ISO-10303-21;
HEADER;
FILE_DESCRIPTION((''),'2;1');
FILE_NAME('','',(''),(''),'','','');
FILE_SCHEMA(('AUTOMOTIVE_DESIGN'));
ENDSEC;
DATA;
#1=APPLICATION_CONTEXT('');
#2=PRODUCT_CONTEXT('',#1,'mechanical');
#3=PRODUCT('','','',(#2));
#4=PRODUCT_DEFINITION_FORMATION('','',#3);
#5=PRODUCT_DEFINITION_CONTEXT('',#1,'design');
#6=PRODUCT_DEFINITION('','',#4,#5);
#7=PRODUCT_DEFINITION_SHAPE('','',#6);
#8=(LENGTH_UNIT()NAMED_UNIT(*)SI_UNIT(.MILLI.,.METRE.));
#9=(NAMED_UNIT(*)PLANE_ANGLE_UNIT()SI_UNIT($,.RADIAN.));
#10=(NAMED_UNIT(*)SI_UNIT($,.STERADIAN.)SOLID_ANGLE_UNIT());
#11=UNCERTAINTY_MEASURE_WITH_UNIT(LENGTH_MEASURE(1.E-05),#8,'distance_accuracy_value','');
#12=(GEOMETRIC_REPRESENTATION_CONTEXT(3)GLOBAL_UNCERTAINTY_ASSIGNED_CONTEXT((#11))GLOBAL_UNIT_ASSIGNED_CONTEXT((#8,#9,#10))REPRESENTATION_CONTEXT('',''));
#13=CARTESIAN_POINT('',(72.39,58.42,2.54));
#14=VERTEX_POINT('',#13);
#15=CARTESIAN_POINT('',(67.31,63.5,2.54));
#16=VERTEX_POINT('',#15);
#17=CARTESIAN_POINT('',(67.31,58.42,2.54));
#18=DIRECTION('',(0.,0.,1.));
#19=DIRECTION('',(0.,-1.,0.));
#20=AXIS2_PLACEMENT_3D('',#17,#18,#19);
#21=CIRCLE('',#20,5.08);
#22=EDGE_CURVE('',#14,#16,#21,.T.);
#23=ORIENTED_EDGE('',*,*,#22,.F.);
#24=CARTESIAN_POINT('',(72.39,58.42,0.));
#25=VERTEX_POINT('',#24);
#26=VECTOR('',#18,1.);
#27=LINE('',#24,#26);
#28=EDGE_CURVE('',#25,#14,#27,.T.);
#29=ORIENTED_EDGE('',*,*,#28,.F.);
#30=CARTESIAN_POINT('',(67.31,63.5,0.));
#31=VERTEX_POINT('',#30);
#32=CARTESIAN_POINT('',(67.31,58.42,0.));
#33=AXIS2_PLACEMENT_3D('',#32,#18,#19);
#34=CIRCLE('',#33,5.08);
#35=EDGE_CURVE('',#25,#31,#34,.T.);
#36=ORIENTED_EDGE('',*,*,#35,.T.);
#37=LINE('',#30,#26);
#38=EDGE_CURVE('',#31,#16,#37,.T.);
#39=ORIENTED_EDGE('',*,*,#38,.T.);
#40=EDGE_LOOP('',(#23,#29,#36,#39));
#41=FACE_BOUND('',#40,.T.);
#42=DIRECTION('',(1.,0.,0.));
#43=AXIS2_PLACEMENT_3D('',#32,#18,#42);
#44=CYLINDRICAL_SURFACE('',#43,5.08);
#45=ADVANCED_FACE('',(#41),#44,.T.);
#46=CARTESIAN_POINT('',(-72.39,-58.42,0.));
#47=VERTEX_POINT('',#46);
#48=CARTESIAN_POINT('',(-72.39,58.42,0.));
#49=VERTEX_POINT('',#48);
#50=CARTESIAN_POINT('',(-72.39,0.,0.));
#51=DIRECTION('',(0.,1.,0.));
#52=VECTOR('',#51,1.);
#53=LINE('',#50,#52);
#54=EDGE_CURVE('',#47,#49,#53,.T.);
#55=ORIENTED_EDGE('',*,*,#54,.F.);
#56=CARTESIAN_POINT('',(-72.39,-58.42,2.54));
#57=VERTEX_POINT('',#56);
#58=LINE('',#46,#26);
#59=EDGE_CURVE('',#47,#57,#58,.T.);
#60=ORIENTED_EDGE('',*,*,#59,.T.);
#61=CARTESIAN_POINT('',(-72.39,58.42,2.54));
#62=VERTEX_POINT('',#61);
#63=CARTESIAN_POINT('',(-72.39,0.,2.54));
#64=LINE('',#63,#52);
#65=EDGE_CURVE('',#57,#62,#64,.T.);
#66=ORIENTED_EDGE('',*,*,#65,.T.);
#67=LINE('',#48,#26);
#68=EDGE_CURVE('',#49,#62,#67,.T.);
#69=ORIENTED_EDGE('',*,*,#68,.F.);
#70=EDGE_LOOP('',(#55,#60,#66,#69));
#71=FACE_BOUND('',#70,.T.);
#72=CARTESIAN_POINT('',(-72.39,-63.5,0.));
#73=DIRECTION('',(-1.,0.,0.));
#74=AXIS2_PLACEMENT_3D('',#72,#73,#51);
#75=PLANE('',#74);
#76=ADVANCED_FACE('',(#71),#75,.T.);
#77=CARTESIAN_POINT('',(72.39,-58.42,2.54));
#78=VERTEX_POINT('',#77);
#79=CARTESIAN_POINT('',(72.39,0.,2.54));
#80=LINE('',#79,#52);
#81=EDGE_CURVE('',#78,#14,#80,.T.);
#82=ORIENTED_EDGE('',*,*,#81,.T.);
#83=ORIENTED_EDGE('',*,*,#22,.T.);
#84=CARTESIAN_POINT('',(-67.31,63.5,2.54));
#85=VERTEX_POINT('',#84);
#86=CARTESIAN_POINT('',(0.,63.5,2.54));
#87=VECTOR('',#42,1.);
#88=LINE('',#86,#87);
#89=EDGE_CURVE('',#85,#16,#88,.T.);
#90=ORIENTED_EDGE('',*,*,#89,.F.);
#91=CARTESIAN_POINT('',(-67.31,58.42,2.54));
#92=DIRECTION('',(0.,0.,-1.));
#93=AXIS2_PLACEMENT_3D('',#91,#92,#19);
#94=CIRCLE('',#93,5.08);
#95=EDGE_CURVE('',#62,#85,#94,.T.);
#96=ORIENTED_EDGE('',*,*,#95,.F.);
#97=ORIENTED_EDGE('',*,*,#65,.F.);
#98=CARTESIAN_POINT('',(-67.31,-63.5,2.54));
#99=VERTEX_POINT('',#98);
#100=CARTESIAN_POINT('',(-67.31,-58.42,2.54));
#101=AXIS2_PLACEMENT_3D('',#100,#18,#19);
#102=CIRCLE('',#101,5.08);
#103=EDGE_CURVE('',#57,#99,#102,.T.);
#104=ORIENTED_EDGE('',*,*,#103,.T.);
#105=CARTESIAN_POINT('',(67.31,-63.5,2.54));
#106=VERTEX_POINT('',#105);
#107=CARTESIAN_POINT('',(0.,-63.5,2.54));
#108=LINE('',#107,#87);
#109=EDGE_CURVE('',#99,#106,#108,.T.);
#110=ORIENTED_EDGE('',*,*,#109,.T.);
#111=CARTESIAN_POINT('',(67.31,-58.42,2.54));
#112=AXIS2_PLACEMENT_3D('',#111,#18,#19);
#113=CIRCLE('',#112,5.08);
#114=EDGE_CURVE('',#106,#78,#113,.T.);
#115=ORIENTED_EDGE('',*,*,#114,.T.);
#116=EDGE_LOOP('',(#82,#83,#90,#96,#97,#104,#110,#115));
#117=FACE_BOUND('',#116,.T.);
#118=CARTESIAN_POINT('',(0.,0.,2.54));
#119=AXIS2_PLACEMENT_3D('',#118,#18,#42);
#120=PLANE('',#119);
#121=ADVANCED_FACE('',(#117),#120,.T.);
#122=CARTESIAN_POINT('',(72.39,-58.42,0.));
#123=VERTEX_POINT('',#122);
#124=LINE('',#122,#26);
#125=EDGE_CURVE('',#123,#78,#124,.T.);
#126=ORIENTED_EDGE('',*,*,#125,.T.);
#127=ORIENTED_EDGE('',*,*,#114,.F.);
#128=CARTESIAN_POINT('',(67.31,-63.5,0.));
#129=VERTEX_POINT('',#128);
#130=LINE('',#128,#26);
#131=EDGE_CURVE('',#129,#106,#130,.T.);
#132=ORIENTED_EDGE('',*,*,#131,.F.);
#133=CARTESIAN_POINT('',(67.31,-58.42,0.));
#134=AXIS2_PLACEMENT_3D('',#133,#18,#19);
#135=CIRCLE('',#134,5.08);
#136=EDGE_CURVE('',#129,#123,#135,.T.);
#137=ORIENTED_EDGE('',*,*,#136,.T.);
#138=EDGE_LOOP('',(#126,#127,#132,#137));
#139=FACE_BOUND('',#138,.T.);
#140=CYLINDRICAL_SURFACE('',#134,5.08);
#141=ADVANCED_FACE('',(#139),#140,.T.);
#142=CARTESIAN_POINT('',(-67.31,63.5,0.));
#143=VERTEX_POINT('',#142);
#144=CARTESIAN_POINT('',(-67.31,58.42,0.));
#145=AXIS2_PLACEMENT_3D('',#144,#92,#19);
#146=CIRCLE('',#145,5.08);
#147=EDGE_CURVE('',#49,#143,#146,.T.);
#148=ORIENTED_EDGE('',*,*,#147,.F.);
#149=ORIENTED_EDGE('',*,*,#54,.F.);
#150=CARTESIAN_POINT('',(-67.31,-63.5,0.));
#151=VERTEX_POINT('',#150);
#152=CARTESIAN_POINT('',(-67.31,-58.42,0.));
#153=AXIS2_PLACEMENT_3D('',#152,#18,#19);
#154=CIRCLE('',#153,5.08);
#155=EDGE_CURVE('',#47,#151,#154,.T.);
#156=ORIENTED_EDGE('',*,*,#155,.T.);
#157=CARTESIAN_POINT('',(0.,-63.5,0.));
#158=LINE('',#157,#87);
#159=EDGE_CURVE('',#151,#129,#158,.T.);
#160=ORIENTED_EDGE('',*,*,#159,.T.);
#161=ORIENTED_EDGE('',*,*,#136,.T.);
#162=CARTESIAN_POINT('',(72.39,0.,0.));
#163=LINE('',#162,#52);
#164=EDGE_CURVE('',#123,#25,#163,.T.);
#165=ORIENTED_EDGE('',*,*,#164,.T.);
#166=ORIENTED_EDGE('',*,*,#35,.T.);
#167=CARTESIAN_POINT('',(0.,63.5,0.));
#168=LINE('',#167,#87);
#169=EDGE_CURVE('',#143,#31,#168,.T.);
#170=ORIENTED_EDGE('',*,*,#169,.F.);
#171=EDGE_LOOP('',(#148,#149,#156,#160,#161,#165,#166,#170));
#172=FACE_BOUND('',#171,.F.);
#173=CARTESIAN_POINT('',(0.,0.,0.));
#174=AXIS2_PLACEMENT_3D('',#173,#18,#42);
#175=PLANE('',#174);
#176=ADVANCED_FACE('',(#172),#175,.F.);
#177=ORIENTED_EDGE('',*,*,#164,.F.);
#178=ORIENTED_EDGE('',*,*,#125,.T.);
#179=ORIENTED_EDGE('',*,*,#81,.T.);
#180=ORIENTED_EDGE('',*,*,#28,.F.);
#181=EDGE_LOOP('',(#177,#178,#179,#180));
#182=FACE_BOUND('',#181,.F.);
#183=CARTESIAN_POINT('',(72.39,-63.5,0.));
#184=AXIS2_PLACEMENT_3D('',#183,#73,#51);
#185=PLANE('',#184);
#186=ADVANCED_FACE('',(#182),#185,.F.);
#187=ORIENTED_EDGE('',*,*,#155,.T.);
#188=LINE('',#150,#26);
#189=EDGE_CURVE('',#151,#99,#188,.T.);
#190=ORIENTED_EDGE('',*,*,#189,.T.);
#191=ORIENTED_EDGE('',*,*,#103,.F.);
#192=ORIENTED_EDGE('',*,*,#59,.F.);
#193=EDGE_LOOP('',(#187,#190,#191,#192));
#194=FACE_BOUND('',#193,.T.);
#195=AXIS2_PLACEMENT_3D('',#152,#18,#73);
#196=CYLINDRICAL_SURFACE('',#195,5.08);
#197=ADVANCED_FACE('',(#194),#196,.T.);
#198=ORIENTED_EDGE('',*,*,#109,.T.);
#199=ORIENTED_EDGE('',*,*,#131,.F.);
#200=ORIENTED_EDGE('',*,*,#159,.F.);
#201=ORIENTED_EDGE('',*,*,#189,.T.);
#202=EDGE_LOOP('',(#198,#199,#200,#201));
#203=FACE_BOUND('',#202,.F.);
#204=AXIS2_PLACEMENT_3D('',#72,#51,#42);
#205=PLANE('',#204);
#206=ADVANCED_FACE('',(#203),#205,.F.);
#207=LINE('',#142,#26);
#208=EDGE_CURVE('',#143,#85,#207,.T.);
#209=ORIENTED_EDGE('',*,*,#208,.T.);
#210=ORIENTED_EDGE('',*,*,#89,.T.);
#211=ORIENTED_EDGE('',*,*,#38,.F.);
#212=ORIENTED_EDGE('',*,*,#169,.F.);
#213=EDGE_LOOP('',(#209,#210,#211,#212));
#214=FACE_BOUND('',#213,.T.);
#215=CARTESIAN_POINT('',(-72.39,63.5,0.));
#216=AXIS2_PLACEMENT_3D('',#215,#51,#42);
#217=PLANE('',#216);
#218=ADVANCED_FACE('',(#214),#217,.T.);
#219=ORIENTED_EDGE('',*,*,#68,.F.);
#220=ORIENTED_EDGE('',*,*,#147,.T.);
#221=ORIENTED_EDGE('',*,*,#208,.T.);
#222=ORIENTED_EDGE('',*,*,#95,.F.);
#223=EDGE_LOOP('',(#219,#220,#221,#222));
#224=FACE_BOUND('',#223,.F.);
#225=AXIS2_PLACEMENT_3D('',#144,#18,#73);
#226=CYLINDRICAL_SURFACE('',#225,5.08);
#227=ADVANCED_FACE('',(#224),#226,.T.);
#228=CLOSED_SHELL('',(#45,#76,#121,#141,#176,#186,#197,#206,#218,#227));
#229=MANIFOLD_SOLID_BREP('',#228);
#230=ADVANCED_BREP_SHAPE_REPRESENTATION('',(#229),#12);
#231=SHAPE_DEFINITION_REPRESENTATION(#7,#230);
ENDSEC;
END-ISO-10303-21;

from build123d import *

# Parameters (mm, degrees)
F0_W     = 139.7
F0_H     = 121.92
F1_DEPTH = 2.54
F3_W     = 144.78
F3_H     = 127
F4_DEPTH = 2.54
F5_R     = 5.08


with BuildPart() as f1:
    # F0 (on Top) → F1 (new body)
    with BuildSketch(Plane.XY):
        with Locations((-21.8530647397, 23.8552480853)):
            Rectangle(F0_W, F0_H)
    extrude(amount=F1_DEPTH)


with BuildPart() as f4:
    # F3 (on Top) → F4 (new body)
    with BuildSketch(Plane.XY):
        Rectangle(F3_W, F3_H)
    extrude(amount=F4_DEPTH)

    # F5
    f5_edges = [f4.edges().sort_by_distance(p)[0] for p in [
        (-72.39, 63.5, 1.27),
        (72.39, 63.5, 1.27),
        (72.39, -63.5, 1.27),
        (-72.39, -63.5, 1.27),
    ]]
    fillet(f5_edges, radius=F5_R)


solid = f4.part
